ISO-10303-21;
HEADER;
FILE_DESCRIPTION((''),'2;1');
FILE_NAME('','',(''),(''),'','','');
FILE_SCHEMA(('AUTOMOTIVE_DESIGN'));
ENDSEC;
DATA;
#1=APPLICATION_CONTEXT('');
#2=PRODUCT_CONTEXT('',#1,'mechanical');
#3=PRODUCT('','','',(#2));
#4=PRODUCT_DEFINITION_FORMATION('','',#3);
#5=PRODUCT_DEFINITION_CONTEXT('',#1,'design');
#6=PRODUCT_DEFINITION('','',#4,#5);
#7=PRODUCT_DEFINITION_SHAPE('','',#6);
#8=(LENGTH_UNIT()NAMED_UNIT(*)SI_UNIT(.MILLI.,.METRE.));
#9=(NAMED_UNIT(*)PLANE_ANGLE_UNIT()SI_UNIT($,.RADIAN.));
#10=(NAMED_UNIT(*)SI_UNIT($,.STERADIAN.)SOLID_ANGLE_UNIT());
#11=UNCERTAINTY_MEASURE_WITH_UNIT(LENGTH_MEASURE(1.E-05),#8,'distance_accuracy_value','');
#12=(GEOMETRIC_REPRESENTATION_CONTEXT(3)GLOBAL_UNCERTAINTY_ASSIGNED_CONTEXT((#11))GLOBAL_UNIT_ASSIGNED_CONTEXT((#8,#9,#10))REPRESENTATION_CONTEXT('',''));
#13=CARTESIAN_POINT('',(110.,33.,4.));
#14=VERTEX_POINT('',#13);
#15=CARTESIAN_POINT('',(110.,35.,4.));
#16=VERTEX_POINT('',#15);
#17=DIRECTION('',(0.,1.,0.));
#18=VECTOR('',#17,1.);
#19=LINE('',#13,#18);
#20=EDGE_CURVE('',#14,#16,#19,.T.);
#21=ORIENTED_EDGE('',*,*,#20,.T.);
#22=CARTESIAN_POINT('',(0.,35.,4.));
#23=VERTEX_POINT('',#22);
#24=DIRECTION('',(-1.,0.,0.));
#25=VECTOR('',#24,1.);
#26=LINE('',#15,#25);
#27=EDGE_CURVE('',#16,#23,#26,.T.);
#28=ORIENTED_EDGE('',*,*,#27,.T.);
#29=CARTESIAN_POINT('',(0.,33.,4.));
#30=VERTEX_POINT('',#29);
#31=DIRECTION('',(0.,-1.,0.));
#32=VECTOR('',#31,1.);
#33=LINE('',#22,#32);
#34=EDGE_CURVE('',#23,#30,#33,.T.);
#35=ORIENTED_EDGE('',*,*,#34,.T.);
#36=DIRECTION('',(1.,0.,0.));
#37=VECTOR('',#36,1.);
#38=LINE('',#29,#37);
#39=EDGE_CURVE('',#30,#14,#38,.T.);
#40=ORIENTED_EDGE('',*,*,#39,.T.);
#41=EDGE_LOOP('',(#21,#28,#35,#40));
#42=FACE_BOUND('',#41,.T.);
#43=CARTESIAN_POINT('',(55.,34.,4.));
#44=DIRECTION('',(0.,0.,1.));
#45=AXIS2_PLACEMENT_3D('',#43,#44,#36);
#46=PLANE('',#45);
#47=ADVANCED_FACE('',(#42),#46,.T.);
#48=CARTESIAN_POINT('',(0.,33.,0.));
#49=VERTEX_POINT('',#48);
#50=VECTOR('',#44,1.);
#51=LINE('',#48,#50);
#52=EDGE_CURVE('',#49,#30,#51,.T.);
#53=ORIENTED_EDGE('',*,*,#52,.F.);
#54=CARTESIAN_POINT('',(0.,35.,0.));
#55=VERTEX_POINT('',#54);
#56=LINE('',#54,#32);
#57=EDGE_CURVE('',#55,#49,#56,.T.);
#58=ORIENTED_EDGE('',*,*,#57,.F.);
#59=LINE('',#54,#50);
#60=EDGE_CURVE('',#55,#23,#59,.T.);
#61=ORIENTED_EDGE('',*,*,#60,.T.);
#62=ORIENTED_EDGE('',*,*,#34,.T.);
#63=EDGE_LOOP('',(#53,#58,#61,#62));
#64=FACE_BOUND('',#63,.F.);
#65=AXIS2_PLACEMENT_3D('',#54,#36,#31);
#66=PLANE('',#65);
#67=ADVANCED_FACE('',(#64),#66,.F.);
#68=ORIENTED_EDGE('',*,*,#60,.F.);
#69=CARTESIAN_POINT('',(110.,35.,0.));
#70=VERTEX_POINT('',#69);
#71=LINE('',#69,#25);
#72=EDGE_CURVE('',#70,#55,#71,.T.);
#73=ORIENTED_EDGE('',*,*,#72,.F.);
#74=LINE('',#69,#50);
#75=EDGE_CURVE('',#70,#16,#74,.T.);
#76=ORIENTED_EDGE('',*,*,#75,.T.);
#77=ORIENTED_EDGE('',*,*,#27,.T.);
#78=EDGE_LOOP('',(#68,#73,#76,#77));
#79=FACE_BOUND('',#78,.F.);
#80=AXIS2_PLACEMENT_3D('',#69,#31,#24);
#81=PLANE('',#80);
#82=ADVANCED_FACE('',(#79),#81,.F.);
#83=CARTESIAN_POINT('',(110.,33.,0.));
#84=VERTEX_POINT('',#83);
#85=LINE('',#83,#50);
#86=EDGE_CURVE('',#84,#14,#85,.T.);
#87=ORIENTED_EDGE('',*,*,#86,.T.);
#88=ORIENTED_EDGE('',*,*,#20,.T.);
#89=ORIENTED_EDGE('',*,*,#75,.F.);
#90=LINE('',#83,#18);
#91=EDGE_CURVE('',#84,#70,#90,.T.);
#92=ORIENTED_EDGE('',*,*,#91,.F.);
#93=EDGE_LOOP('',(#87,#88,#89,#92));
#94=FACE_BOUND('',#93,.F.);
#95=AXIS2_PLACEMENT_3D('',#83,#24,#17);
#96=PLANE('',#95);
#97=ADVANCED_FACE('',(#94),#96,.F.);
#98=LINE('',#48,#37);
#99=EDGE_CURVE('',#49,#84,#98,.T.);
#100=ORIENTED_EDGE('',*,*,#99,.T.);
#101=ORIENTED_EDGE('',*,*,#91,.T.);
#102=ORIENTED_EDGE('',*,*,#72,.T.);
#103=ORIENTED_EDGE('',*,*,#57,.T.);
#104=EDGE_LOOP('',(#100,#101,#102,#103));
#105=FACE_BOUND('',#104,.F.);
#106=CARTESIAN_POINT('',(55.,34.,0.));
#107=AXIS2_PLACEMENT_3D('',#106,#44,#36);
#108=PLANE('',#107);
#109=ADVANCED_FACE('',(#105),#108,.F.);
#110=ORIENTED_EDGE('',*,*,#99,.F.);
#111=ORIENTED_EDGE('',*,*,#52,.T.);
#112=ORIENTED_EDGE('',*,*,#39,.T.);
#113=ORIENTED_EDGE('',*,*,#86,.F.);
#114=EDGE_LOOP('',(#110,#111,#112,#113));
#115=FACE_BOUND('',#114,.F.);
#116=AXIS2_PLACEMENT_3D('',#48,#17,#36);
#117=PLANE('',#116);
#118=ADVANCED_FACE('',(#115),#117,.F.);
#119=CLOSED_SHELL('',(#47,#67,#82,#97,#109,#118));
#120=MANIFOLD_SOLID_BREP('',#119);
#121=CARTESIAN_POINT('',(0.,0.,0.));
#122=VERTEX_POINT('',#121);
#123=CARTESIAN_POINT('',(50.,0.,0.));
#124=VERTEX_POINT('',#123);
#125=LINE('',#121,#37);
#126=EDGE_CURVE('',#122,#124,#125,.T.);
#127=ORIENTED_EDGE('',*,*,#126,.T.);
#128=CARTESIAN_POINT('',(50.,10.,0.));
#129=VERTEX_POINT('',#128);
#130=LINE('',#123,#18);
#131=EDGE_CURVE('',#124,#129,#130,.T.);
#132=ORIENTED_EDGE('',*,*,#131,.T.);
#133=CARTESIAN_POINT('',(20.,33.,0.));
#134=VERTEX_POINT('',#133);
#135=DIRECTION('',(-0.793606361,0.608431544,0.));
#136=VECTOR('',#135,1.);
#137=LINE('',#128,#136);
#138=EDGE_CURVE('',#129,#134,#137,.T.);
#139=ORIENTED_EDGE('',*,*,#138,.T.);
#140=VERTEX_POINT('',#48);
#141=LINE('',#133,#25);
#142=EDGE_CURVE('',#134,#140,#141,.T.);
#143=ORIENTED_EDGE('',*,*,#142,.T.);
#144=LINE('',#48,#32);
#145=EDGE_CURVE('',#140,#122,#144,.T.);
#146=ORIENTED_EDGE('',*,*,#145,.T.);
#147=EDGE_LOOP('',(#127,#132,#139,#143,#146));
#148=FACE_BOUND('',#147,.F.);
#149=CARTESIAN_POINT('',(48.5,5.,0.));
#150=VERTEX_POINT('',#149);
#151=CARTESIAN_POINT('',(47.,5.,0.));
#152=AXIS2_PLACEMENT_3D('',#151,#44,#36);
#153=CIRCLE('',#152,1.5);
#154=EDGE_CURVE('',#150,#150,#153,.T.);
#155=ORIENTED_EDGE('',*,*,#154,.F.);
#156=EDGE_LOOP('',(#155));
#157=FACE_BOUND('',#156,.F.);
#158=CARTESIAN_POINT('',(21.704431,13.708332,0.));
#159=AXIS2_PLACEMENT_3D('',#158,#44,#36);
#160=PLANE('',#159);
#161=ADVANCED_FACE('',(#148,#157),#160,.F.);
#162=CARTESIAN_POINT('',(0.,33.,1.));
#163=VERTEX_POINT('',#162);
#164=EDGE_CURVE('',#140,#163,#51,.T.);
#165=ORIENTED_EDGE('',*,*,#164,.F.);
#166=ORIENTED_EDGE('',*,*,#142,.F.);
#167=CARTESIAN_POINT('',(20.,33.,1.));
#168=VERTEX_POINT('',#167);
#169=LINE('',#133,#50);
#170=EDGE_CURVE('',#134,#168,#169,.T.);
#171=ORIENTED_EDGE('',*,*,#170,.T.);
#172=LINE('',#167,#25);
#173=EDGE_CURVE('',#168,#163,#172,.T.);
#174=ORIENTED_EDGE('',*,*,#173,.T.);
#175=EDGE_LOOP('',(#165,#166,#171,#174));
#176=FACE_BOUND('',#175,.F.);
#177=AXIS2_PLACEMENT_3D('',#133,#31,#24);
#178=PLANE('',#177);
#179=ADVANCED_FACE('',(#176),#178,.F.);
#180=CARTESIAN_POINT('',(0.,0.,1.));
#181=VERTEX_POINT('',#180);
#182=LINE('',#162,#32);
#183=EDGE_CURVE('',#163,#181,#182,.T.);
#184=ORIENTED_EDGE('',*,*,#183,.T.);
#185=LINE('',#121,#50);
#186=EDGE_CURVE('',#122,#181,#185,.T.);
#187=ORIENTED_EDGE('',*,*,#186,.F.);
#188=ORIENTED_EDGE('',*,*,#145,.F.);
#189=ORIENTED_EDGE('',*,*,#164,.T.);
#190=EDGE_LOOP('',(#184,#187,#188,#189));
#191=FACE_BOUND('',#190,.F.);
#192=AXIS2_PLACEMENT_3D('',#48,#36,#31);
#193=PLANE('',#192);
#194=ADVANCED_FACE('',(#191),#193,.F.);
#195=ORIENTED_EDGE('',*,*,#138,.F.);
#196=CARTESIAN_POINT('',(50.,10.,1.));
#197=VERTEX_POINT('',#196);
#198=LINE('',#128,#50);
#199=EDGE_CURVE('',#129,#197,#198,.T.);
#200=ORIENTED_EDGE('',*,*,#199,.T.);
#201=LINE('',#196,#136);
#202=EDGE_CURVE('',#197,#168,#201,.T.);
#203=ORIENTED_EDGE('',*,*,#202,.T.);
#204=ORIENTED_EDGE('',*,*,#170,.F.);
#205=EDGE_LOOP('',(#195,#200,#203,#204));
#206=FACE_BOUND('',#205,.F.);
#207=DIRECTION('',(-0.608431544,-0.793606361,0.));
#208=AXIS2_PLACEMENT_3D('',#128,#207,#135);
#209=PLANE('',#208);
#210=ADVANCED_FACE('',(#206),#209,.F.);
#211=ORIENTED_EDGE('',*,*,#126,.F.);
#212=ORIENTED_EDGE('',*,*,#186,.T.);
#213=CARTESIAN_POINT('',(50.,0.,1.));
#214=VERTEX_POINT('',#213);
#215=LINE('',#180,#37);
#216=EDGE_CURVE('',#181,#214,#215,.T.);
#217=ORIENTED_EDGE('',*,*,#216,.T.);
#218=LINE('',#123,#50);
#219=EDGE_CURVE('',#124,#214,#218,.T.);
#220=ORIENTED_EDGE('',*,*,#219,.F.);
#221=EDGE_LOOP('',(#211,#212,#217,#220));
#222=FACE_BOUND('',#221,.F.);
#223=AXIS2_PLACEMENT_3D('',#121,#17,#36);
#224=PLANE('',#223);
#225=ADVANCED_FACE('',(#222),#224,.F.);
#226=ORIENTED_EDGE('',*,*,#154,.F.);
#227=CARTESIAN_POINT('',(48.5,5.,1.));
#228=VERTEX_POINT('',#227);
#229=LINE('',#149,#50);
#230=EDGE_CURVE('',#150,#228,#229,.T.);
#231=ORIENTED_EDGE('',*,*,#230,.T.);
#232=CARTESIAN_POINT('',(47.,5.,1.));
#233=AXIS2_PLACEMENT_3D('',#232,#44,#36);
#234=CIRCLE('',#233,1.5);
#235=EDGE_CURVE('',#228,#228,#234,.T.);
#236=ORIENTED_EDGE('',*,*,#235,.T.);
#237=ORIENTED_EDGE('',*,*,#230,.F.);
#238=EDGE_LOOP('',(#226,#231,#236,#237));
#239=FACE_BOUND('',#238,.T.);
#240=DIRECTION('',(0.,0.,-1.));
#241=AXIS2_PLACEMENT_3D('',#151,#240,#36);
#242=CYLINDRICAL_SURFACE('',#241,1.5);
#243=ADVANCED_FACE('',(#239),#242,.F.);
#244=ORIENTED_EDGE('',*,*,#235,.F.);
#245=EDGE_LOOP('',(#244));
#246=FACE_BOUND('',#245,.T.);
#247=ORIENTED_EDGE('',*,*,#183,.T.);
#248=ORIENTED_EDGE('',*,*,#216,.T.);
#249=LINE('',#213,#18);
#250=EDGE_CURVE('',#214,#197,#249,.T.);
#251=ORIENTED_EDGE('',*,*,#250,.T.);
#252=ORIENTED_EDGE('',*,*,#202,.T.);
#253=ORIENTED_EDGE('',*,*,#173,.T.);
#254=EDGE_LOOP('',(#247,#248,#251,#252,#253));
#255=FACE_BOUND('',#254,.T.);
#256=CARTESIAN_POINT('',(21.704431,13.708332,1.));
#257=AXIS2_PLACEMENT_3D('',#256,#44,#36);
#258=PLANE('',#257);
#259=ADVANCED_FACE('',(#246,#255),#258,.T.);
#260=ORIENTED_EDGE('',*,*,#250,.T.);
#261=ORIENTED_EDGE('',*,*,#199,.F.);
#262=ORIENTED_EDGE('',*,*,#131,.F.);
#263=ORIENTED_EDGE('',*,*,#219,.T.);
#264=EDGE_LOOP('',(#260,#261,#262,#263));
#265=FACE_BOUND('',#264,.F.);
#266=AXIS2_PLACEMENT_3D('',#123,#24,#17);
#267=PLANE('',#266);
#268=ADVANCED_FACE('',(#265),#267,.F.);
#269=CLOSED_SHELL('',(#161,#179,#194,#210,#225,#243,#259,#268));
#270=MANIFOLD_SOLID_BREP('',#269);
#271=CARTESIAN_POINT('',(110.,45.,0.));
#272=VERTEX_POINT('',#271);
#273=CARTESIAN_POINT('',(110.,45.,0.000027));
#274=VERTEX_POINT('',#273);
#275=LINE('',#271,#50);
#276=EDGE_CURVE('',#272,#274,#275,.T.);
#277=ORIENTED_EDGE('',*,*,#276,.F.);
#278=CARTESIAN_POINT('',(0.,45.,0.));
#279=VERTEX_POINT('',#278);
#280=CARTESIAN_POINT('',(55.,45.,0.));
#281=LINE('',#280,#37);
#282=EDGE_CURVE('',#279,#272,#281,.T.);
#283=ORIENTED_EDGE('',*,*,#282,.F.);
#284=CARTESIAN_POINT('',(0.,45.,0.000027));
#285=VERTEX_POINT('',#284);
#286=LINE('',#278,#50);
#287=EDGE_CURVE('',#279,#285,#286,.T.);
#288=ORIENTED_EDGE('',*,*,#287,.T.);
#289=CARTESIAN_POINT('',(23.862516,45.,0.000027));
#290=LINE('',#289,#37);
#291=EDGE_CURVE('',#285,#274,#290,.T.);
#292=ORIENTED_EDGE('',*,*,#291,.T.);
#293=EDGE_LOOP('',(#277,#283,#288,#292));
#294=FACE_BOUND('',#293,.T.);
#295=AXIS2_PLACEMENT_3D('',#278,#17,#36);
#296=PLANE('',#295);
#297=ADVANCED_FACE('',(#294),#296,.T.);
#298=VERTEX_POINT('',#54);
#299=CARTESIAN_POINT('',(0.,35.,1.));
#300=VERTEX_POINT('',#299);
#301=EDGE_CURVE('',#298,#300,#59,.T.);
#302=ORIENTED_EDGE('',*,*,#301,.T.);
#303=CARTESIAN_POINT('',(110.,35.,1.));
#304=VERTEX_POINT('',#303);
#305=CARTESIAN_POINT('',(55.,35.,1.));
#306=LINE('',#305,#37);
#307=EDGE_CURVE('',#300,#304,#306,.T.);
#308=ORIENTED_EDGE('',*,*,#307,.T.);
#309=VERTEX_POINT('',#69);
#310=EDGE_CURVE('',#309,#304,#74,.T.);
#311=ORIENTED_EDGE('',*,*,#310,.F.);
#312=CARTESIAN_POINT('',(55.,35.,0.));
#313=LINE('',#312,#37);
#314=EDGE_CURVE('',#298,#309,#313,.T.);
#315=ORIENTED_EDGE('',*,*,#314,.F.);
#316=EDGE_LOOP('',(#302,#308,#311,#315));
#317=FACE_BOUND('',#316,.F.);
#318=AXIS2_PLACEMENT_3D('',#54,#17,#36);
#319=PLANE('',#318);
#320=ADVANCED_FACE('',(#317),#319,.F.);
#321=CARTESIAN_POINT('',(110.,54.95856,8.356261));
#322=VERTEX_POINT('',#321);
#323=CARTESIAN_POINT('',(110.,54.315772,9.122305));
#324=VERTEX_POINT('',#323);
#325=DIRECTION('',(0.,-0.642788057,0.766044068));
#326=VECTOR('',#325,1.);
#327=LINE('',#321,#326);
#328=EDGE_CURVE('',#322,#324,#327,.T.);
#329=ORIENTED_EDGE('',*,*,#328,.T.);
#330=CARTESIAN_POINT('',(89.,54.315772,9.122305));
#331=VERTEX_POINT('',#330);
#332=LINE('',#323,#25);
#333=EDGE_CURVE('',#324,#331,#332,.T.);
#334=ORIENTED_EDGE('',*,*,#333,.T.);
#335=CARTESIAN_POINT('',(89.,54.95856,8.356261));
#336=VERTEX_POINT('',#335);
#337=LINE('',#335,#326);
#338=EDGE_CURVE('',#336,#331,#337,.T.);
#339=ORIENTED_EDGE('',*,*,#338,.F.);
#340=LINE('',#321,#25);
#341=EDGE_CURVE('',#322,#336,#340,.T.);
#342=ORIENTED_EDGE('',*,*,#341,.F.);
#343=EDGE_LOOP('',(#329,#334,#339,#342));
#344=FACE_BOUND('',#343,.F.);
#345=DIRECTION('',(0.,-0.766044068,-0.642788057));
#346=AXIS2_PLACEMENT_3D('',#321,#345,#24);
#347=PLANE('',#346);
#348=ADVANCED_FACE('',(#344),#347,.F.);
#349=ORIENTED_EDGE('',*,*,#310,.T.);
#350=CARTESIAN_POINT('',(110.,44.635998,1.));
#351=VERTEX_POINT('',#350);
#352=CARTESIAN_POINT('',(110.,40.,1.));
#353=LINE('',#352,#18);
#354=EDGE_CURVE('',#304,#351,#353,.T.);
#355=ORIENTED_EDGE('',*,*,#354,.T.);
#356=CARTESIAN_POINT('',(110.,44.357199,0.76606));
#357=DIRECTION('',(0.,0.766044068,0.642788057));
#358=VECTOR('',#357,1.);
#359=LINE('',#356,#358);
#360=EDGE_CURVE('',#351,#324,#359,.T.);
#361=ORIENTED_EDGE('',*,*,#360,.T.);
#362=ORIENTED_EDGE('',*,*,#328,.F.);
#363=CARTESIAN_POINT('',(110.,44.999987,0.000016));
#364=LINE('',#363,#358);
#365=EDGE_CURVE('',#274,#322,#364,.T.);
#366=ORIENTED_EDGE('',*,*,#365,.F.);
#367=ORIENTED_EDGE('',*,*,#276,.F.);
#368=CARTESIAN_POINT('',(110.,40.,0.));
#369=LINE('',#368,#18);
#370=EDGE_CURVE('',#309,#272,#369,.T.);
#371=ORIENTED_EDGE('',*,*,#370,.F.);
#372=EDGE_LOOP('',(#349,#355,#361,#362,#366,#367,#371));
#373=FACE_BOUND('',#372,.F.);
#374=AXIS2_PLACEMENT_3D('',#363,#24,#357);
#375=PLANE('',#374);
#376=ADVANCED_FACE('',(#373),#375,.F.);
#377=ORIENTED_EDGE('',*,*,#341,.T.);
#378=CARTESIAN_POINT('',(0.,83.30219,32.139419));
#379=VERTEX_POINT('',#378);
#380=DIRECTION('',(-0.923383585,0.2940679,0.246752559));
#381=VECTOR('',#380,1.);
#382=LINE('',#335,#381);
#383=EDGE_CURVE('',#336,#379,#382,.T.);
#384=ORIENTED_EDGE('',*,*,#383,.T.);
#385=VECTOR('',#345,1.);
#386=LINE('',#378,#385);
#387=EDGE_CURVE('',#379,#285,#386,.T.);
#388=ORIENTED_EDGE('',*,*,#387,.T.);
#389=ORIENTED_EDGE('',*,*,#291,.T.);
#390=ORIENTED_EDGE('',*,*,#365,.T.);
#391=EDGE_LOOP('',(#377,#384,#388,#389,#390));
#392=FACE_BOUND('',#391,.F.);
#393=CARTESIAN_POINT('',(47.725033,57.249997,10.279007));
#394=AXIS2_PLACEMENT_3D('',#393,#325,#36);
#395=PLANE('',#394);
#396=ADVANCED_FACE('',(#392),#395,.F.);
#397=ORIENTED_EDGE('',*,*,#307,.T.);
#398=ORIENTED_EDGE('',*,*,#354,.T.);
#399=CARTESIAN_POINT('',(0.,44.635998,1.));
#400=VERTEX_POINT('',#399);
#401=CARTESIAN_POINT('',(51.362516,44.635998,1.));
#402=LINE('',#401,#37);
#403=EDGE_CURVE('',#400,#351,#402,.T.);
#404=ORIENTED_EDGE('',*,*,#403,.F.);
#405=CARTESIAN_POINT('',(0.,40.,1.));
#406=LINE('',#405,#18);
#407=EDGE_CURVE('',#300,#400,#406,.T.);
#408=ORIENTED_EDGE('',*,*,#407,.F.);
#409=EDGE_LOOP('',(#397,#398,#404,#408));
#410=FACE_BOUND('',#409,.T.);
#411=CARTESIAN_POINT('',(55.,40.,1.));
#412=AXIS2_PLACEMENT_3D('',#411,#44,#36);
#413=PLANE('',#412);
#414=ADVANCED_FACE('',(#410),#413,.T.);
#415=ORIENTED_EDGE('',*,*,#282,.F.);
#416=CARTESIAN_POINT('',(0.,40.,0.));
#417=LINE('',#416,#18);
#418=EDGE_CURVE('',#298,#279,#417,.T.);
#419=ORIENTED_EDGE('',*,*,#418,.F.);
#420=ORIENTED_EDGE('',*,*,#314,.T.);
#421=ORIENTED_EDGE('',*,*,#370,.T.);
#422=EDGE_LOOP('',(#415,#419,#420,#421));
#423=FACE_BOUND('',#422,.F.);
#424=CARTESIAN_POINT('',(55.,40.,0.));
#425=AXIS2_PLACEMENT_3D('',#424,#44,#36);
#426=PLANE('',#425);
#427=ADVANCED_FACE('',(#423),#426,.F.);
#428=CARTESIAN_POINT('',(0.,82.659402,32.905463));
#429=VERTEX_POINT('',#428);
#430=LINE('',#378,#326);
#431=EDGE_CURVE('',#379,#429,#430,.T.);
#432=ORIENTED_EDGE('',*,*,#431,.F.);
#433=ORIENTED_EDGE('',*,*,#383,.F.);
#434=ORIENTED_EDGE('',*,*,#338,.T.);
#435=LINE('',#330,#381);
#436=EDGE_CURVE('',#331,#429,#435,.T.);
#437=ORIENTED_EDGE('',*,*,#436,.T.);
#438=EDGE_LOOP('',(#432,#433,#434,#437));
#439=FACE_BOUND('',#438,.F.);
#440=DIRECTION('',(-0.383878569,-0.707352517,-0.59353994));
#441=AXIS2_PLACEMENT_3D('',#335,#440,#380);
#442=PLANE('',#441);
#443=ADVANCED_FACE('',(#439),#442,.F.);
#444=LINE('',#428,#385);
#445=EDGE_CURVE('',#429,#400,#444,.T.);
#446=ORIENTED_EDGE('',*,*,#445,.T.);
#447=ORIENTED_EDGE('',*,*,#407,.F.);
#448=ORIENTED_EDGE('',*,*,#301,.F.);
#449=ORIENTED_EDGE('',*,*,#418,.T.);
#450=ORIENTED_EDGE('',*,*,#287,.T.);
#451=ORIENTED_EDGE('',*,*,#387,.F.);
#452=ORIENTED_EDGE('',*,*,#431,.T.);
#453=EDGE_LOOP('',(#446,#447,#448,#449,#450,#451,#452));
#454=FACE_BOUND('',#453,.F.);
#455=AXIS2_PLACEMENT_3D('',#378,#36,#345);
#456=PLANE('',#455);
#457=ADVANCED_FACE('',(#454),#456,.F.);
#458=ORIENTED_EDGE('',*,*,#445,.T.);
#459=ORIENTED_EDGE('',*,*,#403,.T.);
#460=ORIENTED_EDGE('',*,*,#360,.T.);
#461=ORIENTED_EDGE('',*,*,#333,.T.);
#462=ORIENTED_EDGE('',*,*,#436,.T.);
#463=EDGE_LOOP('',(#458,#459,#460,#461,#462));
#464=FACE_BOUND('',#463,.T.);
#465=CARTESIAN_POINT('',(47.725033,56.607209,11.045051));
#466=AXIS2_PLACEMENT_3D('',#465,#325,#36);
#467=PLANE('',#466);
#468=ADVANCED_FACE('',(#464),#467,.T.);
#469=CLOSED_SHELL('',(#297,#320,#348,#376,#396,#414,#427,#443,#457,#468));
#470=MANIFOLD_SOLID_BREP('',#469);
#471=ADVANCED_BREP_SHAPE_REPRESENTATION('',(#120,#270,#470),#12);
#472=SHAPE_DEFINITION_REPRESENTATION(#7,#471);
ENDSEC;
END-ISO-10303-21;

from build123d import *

# Parameters (mm, degrees)
F0_W     = 110
F0_H     = 10
F0_R     = 3
F0_R_2   = 1.5
F1_DEPTH = 1
F2_DEPTH = 4
F5_DEPTH = 1


with BuildPart() as f1:
    # F0 (on Top) → F1 (new body)
    with BuildSketch(Plane.XY):
        with Locations((55, 40)):
            Rectangle(F0_W, F0_H)
        Polygon((0, 33), (0, 0), (50, 0), (50, 5), (50, 10), (20, 33), align=None)
        with Locations((47, 5)):
            Circle(F0_R, mode=Mode.SUBTRACT)
        with Locations((47, 5)):
            Circle(F0_R)
        with Locations((47, 5)):
            Circle(F0_R_2, mode=Mode.SUBTRACT)
    extrude(amount=F1_DEPTH)

    # F4 (on face) → F5 (join)
    with BuildSketch(Plane(origin=(0, 18.592916, -22.158174), x_dir=(1, 0, 0), z_dir=(0, -0.642788, 0.766044))):
        Polygon((0, 84.472), (0, 34.472), (110, 34.472), (110, 47.472), (89, 47.472), align=None)
    extrude(amount=F5_DEPTH)


with BuildPart() as f2:
    # F0 (on Top) → F2 (new body)
    with BuildSketch(Plane.XY):
        Polygon((0, 35), (0, 33), (20, 33), (110, 33), (110, 35), align=None)
    extrude(amount=F2_DEPTH)


solid = Compound([f1.part, f2.part])
